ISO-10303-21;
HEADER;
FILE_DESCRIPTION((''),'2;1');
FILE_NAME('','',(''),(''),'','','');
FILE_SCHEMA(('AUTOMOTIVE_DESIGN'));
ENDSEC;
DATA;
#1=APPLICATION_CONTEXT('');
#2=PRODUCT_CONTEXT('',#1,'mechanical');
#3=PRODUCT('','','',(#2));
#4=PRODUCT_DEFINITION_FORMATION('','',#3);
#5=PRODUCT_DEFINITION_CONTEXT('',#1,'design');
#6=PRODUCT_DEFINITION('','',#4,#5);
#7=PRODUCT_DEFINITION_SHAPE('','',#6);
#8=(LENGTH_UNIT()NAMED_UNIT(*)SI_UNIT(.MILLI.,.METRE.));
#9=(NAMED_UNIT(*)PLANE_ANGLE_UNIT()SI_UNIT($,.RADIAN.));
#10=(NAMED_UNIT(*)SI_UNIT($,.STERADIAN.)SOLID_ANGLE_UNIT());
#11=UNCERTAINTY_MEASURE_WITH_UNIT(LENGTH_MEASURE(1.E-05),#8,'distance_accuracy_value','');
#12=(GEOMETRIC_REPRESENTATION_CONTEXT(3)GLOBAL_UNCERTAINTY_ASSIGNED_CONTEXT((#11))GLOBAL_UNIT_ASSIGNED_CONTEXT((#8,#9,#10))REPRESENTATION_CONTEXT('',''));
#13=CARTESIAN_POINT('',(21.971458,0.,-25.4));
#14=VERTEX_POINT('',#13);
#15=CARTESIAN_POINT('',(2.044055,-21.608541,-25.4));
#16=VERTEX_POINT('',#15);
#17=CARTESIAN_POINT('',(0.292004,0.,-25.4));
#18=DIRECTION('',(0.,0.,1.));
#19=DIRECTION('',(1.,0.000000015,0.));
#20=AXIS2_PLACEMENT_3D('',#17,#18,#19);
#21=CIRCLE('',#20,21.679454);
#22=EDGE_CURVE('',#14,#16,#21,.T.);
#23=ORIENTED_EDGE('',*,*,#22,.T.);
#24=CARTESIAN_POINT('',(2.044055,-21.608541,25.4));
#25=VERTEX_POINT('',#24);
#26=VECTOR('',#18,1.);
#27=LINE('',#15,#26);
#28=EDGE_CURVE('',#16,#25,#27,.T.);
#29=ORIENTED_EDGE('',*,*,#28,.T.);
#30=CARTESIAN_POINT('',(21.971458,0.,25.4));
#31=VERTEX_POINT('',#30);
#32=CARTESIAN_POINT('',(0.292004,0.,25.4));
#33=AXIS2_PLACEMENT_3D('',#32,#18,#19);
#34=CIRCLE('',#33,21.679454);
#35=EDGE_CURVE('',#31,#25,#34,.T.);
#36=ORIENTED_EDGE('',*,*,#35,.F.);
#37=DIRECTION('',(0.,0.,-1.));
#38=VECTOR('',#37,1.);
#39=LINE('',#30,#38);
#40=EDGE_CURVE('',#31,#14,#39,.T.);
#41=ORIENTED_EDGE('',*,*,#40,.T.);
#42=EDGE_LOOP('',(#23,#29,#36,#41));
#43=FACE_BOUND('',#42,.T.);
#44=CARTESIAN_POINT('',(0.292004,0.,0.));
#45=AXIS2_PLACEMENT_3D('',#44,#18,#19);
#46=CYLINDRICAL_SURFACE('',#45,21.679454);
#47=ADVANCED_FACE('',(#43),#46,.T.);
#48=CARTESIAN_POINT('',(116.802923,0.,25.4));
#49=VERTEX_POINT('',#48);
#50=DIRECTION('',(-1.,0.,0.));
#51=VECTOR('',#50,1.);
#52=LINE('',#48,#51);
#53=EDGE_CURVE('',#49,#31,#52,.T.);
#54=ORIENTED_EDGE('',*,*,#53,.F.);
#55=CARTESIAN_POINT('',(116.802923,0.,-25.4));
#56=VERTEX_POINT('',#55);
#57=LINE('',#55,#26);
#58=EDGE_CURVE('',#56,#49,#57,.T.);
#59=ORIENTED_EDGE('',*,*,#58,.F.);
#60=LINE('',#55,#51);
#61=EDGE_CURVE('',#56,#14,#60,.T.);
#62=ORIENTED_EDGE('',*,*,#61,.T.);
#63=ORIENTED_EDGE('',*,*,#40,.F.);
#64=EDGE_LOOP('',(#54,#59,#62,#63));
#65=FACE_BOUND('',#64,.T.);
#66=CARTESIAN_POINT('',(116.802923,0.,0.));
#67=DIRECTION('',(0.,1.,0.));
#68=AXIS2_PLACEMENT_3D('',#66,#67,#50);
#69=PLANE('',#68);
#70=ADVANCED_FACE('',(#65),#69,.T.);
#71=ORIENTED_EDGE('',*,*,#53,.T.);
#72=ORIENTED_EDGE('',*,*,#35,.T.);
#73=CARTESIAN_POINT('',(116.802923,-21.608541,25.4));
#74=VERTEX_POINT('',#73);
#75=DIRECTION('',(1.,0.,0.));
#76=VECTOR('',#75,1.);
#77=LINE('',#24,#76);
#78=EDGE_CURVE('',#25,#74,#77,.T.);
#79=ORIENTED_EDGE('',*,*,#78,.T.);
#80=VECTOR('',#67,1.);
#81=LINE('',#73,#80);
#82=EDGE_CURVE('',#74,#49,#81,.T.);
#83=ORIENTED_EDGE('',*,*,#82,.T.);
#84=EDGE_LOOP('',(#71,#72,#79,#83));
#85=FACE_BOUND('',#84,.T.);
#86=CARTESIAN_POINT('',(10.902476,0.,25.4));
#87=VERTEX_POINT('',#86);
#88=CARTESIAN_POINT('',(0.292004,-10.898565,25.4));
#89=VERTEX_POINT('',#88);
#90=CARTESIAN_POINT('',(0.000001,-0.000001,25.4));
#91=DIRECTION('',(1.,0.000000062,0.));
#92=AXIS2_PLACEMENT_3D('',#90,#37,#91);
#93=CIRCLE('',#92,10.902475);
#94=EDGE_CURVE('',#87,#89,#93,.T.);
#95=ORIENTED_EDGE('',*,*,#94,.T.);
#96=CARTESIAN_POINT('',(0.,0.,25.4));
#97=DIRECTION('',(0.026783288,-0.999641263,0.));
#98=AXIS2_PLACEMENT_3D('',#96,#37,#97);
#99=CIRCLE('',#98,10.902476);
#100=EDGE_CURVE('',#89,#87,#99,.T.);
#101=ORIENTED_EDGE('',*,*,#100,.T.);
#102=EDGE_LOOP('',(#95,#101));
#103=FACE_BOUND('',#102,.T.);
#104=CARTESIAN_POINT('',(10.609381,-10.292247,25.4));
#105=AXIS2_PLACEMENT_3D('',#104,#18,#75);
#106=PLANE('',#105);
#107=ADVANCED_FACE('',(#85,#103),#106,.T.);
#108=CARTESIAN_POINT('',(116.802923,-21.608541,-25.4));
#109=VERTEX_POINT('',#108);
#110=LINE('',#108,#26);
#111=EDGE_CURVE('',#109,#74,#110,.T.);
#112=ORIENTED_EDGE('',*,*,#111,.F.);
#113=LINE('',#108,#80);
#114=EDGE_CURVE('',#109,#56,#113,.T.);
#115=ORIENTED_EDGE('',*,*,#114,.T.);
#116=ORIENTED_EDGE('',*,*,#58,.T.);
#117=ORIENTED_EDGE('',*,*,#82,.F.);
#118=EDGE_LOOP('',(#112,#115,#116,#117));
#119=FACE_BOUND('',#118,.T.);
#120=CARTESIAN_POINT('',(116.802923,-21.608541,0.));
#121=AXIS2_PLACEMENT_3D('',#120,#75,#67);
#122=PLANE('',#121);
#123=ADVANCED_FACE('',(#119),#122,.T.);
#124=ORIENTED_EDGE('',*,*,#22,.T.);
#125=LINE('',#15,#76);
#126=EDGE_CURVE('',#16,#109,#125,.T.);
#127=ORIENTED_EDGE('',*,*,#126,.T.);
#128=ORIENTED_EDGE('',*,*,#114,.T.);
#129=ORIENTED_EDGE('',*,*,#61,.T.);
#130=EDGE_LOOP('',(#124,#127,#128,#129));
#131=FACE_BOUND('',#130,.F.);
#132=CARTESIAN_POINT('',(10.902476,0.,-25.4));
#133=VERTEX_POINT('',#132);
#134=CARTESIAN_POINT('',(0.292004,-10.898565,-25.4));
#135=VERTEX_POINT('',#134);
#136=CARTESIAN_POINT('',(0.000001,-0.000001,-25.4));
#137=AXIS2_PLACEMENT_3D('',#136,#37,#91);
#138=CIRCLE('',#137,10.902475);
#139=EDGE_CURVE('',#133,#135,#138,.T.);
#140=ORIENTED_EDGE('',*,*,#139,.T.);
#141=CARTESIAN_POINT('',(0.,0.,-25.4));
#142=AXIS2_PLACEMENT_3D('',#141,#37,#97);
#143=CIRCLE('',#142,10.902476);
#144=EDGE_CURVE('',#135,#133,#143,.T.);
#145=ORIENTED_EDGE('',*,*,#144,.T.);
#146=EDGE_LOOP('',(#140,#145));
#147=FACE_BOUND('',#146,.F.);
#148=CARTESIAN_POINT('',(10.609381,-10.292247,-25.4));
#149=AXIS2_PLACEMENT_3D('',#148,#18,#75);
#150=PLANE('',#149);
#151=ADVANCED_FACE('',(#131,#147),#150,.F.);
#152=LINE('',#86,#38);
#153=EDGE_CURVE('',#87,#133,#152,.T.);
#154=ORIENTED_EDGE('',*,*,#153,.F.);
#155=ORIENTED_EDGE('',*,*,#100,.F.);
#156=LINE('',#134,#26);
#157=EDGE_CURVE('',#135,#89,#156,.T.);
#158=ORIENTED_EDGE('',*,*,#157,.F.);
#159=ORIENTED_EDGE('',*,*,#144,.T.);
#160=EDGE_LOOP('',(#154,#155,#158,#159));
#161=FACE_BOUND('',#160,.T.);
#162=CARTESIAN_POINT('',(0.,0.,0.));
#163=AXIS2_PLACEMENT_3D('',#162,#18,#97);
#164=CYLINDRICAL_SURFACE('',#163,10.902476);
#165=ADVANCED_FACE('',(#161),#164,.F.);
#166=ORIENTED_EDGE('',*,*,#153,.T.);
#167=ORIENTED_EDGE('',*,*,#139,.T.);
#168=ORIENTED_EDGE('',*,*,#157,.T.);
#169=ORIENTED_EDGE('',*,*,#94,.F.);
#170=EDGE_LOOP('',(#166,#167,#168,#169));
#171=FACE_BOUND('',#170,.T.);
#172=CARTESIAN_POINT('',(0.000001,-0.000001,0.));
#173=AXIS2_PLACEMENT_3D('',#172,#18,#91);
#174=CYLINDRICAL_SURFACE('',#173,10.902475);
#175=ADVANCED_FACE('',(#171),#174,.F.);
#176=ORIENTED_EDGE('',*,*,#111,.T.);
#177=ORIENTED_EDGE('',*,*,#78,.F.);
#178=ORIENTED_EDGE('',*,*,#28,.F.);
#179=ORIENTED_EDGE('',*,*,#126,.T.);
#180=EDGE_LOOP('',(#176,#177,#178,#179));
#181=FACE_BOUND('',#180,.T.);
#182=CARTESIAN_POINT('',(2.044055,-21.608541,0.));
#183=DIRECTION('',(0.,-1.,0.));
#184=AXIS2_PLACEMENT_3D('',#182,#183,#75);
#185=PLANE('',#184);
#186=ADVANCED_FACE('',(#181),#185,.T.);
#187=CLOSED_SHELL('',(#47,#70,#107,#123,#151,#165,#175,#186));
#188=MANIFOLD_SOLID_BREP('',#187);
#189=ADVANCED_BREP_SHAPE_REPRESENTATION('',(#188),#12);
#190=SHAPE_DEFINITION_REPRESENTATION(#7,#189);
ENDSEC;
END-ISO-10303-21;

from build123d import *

# Parameters (mm, degrees)
F1_DEPTH = 25.4


with BuildPart() as f1:
    # F0 (on Top) → F1 (new body, symmetric)
    with BuildSketch(Plane.XY):
        with BuildLine():
            Line((21.971458, 0), (10.902476, 0))
            ThreePointArc((10.902476, 0), (7.811772, -7.605275), (0.292004, -10.898565))
            Line((0.292004, -10.898565), (0.292004, -21.608541))
            Line((0.292004, -21.608541), (2.044055, -21.608541))
            ThreePointArc((2.044055, -21.608541), (16.229103, -14.697197), (21.971458, 0))
        make_face()
        with BuildLine():
            ThreePointArc((0.292004, -10.898565), (-7.811772, 7.605275), (10.902476, 0))
            Line((10.902476, 0), (21.971458, 0))
            ThreePointArc((21.971458, 0), (-15.645094, 14.697197), (2.044055, -21.608541))
            Line((2.044055, -21.608541), (0.292004, -21.608541))
            Line((0.292004, -21.608541), (0.292004, -10.898565))
        make_face()
        with BuildLine():
            Line((116.802923, 0), (21.971458, 0))
            ThreePointArc((21.971458, 0), (16.229103, -14.697197), (2.044055, -21.608541))
            Line((2.044055, -21.608541), (116.802923, -21.608541))
            Line((116.802923, -21.608541), (116.802923, 0))
        make_face()
    extrude(amount=F1_DEPTH, both=True)


solid = f1.part
